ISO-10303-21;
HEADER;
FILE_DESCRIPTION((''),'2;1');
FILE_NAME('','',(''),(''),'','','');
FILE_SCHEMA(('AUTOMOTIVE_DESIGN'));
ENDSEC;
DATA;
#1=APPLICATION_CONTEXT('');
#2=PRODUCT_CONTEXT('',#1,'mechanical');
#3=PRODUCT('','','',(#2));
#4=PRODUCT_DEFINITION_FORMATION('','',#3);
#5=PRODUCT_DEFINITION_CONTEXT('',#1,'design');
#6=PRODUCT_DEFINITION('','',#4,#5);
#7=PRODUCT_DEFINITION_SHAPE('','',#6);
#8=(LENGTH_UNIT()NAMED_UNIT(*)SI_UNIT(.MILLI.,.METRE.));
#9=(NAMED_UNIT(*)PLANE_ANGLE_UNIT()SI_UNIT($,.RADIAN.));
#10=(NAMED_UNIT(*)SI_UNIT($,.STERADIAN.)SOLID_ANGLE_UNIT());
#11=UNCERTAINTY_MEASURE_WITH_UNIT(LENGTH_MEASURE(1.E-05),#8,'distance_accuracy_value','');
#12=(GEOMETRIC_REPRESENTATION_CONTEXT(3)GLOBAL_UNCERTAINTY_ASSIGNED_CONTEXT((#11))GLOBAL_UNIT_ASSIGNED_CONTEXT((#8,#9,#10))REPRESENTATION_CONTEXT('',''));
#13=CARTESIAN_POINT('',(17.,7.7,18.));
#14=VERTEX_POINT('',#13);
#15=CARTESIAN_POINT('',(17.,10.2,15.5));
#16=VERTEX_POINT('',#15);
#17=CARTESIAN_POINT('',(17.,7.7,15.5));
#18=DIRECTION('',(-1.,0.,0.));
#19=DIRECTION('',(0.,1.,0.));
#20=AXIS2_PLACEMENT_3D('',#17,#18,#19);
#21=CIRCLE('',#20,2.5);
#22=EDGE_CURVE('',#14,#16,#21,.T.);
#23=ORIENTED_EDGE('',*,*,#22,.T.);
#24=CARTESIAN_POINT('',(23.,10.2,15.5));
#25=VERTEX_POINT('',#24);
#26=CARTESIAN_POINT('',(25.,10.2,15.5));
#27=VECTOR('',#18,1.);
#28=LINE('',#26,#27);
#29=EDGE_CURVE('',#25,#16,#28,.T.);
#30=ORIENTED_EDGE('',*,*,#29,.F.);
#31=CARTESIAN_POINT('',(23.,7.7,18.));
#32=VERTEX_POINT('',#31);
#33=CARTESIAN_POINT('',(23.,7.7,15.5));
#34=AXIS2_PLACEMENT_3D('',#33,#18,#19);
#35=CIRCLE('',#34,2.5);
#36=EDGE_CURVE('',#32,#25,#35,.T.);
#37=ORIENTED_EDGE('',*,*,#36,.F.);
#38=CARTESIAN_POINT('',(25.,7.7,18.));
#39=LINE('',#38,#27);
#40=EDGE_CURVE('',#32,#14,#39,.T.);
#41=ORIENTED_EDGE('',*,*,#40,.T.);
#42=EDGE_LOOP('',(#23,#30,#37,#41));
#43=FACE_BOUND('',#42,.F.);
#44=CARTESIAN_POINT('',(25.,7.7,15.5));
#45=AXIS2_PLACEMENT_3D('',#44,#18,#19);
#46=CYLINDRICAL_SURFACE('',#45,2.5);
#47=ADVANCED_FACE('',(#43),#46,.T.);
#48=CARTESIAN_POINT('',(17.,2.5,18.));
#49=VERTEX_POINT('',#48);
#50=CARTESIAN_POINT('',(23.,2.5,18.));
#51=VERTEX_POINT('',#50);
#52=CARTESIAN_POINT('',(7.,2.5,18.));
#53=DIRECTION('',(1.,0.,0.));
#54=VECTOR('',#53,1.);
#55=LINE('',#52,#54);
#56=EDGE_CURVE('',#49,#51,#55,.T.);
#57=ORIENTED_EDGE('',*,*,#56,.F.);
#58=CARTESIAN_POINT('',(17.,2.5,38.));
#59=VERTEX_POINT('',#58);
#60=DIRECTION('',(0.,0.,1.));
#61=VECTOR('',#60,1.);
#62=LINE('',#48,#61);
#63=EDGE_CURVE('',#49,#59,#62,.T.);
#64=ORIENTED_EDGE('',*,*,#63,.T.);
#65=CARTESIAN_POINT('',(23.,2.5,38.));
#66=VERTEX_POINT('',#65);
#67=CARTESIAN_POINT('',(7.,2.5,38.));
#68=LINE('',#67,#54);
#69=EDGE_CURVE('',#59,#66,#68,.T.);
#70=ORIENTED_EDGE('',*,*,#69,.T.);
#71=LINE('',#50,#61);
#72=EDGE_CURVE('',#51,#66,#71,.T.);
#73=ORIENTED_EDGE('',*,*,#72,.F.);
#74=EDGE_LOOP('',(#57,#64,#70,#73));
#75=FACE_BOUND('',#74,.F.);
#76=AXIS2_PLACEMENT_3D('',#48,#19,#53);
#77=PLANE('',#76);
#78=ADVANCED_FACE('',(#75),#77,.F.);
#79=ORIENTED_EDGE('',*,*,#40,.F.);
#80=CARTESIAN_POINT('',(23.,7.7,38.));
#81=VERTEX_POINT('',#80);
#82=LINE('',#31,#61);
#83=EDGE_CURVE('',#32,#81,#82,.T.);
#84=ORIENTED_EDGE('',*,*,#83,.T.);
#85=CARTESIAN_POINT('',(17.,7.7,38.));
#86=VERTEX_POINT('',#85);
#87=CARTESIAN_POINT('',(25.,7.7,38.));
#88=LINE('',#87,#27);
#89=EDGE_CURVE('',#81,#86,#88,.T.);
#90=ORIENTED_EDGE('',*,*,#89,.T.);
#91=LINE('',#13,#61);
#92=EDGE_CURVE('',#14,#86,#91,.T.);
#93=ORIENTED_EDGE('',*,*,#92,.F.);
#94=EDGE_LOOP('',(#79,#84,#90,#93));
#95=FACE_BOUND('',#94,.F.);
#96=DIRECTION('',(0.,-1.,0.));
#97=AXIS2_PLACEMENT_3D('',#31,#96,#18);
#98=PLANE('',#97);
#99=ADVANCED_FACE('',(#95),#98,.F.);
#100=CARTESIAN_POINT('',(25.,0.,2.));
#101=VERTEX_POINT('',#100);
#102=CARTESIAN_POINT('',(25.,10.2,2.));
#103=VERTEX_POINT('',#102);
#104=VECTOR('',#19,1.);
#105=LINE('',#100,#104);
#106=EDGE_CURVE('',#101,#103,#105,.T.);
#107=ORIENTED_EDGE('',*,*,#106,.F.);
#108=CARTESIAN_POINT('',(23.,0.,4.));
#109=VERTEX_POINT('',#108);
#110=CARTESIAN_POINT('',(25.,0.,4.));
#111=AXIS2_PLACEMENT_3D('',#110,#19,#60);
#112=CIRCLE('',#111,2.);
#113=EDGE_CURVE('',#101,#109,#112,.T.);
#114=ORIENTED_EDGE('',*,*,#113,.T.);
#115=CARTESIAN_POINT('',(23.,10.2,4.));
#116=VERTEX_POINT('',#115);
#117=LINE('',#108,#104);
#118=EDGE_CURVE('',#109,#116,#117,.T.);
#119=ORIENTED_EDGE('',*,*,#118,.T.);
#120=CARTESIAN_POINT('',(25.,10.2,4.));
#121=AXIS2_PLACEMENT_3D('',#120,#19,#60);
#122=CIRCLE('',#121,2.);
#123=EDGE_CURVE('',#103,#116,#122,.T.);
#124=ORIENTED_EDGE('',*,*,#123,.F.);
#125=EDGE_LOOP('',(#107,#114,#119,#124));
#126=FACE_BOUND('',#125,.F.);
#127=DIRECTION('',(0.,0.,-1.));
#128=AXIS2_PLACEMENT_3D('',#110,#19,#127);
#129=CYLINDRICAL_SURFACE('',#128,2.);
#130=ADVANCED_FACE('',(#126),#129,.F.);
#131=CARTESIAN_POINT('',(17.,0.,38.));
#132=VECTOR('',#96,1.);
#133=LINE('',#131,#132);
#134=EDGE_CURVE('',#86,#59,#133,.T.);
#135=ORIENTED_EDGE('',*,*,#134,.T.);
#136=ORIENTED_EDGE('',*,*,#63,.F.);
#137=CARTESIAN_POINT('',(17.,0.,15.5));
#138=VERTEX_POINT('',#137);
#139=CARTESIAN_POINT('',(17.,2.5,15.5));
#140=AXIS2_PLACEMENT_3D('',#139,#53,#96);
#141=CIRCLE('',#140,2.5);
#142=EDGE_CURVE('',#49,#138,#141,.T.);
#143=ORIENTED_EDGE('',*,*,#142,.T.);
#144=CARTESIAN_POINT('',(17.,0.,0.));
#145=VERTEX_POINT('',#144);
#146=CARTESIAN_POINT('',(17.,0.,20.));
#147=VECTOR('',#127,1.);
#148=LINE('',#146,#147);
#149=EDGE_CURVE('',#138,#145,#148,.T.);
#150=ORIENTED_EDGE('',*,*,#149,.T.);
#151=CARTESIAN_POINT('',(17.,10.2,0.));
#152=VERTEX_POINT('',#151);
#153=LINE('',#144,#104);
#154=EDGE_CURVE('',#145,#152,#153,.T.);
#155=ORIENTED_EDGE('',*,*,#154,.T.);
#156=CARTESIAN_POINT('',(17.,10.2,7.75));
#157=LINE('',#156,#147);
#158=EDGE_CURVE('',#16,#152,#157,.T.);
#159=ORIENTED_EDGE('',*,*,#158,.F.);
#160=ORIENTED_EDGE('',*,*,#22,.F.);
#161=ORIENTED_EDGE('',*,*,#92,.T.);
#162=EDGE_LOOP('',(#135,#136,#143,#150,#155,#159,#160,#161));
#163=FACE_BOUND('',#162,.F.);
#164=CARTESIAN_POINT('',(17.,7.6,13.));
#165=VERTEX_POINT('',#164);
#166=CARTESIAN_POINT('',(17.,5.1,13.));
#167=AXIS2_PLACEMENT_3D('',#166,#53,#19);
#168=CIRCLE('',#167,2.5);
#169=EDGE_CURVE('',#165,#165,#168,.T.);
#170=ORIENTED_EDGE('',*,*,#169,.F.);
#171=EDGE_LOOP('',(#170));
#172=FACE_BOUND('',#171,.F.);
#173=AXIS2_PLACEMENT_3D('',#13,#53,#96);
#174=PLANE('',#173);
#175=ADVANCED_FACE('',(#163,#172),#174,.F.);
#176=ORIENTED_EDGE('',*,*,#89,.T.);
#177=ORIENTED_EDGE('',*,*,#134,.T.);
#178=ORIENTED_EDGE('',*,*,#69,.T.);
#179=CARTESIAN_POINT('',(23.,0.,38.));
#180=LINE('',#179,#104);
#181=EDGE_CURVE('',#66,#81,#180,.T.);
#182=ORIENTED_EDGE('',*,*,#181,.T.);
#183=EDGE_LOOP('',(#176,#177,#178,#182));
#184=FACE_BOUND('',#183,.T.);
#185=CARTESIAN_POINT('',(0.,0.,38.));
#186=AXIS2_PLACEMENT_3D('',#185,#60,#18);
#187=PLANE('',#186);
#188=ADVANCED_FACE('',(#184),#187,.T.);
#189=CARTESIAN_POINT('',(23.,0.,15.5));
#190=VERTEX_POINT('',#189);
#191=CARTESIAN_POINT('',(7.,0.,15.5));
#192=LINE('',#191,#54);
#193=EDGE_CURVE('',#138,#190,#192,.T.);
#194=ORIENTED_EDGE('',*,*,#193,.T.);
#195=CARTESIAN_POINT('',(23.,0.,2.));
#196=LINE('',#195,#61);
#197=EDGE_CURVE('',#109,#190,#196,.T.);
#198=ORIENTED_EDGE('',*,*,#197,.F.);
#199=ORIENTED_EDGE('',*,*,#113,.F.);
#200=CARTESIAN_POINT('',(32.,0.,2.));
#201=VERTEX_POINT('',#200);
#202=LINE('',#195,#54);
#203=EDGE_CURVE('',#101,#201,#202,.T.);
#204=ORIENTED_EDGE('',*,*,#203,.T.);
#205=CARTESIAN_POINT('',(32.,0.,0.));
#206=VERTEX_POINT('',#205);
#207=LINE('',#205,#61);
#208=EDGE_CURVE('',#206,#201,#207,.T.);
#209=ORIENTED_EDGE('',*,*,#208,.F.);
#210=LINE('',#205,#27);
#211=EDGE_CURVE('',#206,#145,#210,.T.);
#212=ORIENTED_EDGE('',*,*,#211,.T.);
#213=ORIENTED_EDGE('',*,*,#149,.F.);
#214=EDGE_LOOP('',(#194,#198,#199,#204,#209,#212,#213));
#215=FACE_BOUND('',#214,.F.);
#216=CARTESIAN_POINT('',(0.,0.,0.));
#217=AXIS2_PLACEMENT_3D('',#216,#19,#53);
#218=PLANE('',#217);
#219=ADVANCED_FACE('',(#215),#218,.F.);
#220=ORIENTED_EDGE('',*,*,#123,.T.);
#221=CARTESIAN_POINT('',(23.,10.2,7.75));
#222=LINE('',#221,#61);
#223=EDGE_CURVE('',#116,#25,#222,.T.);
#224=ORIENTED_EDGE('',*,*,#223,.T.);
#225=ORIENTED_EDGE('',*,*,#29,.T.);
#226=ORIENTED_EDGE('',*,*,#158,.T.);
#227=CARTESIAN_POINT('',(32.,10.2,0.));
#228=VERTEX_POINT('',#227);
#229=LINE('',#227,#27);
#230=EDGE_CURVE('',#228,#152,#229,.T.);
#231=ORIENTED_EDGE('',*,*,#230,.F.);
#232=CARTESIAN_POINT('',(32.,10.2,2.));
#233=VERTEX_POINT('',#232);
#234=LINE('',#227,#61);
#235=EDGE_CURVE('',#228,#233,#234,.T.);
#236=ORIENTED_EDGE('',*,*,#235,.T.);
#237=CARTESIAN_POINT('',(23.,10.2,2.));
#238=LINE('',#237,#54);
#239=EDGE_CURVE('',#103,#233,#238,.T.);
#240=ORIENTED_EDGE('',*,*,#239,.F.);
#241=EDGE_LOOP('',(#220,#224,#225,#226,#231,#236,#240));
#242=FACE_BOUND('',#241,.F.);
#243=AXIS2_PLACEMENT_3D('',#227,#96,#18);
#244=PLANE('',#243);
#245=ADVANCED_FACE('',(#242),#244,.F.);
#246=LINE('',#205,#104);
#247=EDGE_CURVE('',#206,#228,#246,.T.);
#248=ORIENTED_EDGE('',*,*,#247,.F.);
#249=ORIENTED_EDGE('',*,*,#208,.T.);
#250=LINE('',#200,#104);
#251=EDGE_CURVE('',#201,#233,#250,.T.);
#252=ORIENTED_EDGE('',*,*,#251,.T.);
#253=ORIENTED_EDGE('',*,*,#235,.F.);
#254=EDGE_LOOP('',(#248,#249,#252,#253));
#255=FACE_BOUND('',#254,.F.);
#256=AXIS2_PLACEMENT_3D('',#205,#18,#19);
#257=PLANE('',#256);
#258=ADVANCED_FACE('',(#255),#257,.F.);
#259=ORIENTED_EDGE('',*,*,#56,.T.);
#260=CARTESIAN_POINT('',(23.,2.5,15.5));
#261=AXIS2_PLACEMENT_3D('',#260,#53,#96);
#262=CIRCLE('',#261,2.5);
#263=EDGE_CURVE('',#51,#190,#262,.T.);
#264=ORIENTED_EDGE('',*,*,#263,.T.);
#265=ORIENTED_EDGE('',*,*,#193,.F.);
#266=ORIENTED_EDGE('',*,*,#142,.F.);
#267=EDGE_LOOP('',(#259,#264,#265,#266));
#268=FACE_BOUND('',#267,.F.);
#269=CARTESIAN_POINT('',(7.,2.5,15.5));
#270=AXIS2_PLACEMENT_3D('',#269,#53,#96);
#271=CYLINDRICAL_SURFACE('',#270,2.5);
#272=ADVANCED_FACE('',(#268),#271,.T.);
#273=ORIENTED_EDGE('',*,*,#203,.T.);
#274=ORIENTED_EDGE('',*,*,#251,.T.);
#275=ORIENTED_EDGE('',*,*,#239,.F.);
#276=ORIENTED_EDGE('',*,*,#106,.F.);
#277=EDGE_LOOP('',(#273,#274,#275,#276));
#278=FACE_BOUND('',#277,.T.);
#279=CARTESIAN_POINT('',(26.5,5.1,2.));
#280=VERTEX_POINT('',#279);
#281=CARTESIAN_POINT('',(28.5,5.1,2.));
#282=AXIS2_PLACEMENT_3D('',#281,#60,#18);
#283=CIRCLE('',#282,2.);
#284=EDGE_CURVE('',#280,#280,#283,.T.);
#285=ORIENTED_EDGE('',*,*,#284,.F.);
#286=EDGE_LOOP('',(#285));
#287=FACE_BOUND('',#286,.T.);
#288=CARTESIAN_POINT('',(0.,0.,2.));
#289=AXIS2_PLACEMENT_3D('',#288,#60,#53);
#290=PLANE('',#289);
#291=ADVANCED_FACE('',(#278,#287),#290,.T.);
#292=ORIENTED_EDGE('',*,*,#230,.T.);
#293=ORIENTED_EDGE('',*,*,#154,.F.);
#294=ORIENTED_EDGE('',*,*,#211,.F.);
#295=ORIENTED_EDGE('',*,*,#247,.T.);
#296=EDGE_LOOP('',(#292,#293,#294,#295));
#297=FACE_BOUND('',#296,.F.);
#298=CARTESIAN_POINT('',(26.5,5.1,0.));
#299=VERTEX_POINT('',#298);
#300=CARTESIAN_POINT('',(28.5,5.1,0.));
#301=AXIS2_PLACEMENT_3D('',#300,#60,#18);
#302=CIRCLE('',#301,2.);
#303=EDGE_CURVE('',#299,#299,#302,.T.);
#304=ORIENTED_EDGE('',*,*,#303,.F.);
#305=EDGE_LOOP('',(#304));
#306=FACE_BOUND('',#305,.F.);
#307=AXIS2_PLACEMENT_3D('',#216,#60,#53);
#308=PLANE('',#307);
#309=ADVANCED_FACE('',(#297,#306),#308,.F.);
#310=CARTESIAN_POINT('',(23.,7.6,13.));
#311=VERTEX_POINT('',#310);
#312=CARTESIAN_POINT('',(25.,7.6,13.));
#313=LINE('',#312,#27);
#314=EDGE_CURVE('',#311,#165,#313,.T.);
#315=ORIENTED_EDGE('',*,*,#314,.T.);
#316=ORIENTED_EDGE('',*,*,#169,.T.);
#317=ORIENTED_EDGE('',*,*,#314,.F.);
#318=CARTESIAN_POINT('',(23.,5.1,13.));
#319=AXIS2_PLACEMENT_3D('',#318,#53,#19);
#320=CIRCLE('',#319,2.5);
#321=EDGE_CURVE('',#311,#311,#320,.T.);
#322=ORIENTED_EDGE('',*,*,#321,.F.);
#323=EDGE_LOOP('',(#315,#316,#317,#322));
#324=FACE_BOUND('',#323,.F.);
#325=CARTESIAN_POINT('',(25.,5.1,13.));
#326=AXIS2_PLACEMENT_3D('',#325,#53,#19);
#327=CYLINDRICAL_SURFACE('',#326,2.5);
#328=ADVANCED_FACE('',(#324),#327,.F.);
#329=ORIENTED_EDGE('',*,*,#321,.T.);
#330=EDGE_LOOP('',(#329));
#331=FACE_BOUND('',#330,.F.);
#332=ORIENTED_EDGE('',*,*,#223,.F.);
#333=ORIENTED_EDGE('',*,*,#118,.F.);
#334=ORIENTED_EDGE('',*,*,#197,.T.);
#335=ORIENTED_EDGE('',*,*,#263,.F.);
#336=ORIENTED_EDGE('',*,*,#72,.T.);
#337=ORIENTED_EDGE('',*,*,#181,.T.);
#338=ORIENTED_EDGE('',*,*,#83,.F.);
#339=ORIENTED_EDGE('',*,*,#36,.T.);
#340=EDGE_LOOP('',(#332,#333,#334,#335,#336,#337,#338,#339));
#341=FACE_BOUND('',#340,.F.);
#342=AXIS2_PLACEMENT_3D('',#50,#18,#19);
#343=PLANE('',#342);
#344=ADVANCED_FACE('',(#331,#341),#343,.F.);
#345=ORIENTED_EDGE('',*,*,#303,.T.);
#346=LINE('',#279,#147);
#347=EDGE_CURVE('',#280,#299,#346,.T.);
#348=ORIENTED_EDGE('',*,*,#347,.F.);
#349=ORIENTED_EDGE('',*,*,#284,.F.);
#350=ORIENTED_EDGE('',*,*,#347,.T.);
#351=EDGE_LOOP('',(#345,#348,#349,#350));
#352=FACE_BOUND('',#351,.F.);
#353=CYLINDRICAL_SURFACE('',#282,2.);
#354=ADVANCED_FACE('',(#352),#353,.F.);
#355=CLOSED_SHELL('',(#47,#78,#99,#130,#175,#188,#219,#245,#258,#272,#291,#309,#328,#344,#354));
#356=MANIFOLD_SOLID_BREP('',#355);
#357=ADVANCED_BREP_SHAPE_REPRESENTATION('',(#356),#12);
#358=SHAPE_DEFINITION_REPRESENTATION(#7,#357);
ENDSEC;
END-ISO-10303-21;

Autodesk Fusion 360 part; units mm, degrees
sketch "Sketch1" plane through (0, 0, 0) normal (0, 0, 1) x (1, 0, 0)
  line L0 (0, 0) -> (32, 0)
  line L1 (32, 0) -> (32, 10.2)
  line L2 (32, 10.2) -> (0, 10.2)
  line L3 (0, 10.2) -> (0, 0)
  dimension "d1" = 32
  dimension "d2" = 10.2
extrude "Extrude1" add sketch "Sketch1" along normal blind 2
sketch "Sketch2" plane through (0, 0, 2) normal (0, 0, 1) x (-1, 0, 0)
  line L0 (0, -10.2) -> (0, 0)
  line L1 (0, 0) -> (-32, 0)
  line L2 (-32, 0) -> (-32, -10.2)
  line L3 (-32, -10.2) -> (0, -10.2)
  line L4 (-7, -10.2) -> (-25, -10.2)
  line L5 (-25, -10.2) -> (-25, 0)
  line L6 (-25, 0) -> (-7, 0)
  line L7 (-7, 0) -> (-7, -10.2)
  circle A0 centre (-3.5, -5.1) radius 2
  circle A1 centre (-28.5, -5.1) radius 2
  dimension "d5" = 7
  dimension "d6" = 7
  dimension "d7" = 5.1
  dimension "d8" = 3.5
  dimension "d9" = 4
  dimension "d10" = 3.5
  dimension "d11" = 5.1
  dimension "d12" = 4
extrude "Extrude2" cut sketch "Sketch2" against normal blind 2.1 contours A0 | A1
extrude "Extrude3" add sketch "Sketch2" along normal blind 16 contours L1 L3 L4 L5 L6 L7
sketch "Sketch3" plane through (25, 0, 0) normal (1, 0, 0) x (0, 1, 0)
  line L0 (0, 2) -> (10.2, 2)
  line L1 (10.2, 2) -> (10.2, 18)
  line L2 (10.2, 18) -> (0, 18)
  line L3 (0, 18) -> (0, 2)
  circle A0 centre (5.1, 13) radius 2.5
  dimension "d17" = 5
  dimension "d18" = 5.1
  dimension "d19" = 5
extrude "Extrude4" cut sketch "Sketch3" against normal blind 20 contours A0
fillet "Fillet1" radius 2.5 2 edges at (16, 0, 18) (16, 10.2, 18)
fillet "Fillet2" radius 0.25 2 edges at (25, 5.1, 2) (7, 5.1, 2)
sketch "Sketch4" plane through (0, 0, 0) normal (0, -1, 0) x (1, 0, 0)
  line L0 (25, 15.5) -> (7, 15.5)
  line L1 (7, 15.5) -> (7, 2.25)
  arc A0 (6.75, 2) -> (7, 2.25) centre (6.75, 2.25) ccw
  line L2 (6.75, 2) -> (0, 2)
  line L3 (0, 2) -> (0, 0)
  line L4 (0, 0) -> (32, 0)
  line L5 (32, 0) -> (32, 2)
  line L6 (32, 2) -> (25.25, 2)
  arc A1 (25, 2.25) -> (25.25, 2) centre (25.25, 2.25) ccw
  line L7 (25, 2.25) -> (25, 15.5)
  line L8 (15.0115, 13.8918) -> (15.2499, 13.8388)
  line L9 (15.0115, 1.9217) -> (15.2499, 1.8688)
  line L10 (15.2499, 2.3085) -> (10.5625, 8.1981)
  line L11 (10.6841, 8.3354) -> (15.2499, 13.4918)
  line L12 (10.817, 8.3354) -> (15.3124, 13.4128)
  line L13 (15.3132, 2.3954) -> (10.6954, 8.1981)
  spline S0 degree 5 poles (15.0115, 13.8918) (15.0366, 13.8331) (15.0755, 13.7537) (15.1214, 13.6739) (15.1743, 13.5935) (15.2341, 13.5126) (15.2499, 13.4918) knots 0 0 0 0 0 0 0.04 0.053771 0.053771 0.053771 0.053771 0.053771 0.053771
  line L14 (15.2177, 13.5342) -> (15.2821, 13.4495)
  spline S1 degree 5 poles (15.2499, 2.3085) (15.2476, 2.3054) (15.194, 2.2294) (15.1434, 2.1527) (15.0959, 2.0753) (15.0514, 1.9972) (15.0115, 1.9217) knots 0.958261 0.958261 0.958261 0.958261 0.958261 0.958261 0.96 1 1 1 1 1 1
  line L15 (15.2777, 2.3478) -> (15.2221, 2.2693)
  line L16 (19.8903, 8.1981) -> (19.6849, 7.759)
  line L17 (19.6849, 7.759) -> (20.8035, 8.2887)
  line L18 (20.8035, 8.2887) -> (19.6849, 8.7197)
  line L19 (19.6849, 8.7197) -> (19.8674, 8.3354)
  spline S2 degree 5 poles (15.2499, 13.8388) (15.275, 13.7801) (15.3328, 13.6621) (15.4428, 13.4833) (15.636, 13.2415) (15.9534, 12.9319) (16.3409, 12.6103) (16.7857, 12.2676) (17.2659, 11.8886) (17.7534, 11.4561) (18.2174, 10.9546) (18.6276, 10.3741) (18.9469, 9.734) (19.126, 9.1768) (19.2132, 8.7476) (19.2502, 8.4653) (19.263, 8.3354) knots 0 0 0 0 0 0 0.04 0.08 0.12 0.16 0.2 0.24 0.28 0.32 0.36 0.4 0.44 0.473865 0.473865 0.473865 0.473865 0.473865 0.473865
  line L20 (19.1848, 9.1287) -> (19.3411, 7.542)
  spline S3 degree 5 poles (19.2746, 8.1981) (19.2853, 8.0482) (19.2958, 7.7438) (19.2774, 7.2862) (19.1846, 6.69) (18.9625, 5.9984) (18.6463, 5.3801) (18.2572, 4.8452) (17.8198, 4.3863) (17.3603, 3.9873) (16.904, 3.6275) (16.4734, 3.2862) (16.0845, 2.9471) (15.7463, 2.6009) (15.5197, 2.3146) (15.375, 2.094) (15.2897, 1.9443) (15.2499, 1.8688) knots 0.481014 0.481014 0.481014 0.481014 0.481014 0.481014 0.52 0.56 0.6 0.64 0.68 0.72 0.76 0.8 0.84 0.88 0.92 0.96 1 1 1 1 1 1
  line L21 (19.2097, 9.1087) -> (19.3396, 7.2875)
  spline S4 degree 5 poles (15.3124, 13.4128) (15.332, 13.3889) (15.4036, 13.3041) (15.5393, 13.1573) (15.762, 12.9459) (16.1025, 12.6633) (16.5474, 12.3206) (17.0276, 11.9416) (17.515, 11.5091) (17.979, 11.0075) (18.3892, 10.427) (18.7131, 9.7778) (18.894, 9.2098) (18.9811, 8.7693) (19.0172, 8.476) (19.0296, 8.3354) knots 0.064218 0.064218 0.064218 0.064218 0.064218 0.064218 0.08 0.12 0.16 0.2 0.24 0.28 0.32 0.36 0.4 0.44 0.476625 0.476625 0.476625 0.476625 0.476625 0.476625
  line L22 (14.9219, 13.8881) -> (15.7028, 12.9376)
  line L23 (18.9651, 9.0672) -> (19.094, 7.6035)
  spline S5 degree 5 poles (19.0398, 8.1981) (19.0483, 8.0587) (19.0561, 7.765) (19.0358, 7.3185) (18.9432, 6.7334) (18.7242, 6.0513) (18.408, 5.433) (18.0189, 4.8982) (17.5814, 4.4393) (17.1219, 4.0403) (16.6657, 3.6805) (16.235, 3.3392) (15.8681, 3.0192) (15.6141, 2.7622) (15.4485, 2.5703) (15.3521, 2.4471) (15.3132, 2.3954) knots 0.483768 0.483768 0.483768 0.483768 0.483768 0.483768 0.52 0.56 0.6 0.64 0.68 0.72 0.76 0.8 0.84 0.88 0.92 0.948678 0.948678 0.948678 0.948678 0.948678 0.948678
  line L24 (18.989, 9.0312) -> (19.0905, 7.3649)
  line L25 (15.7537, 2.9821) -> (14.8727, 1.8087)
  line L26 (10.6954, 8.1981) -> (19.0398, 8.1981)
  line L27 (19.2746, 8.1981) -> (19.8903, 8.1981)
  line L28 (19.263, 8.3354) -> (19.8674, 8.3354)
  line L29 (10.6725, 8.3354) -> (10.3002, 8.665)
  line L30 (10.3002, 8.665) -> (9.1473, 8.665)
  line L31 (9.1473, 8.665) -> (9.409, 8.2777)
  line L32 (9.409, 8.2777) -> (9.1615, 7.917)
  line L33 (9.1615, 7.917) -> (10.3, 7.917)
  line L34 (10.3, 7.917) -> (10.5625, 8.1981)
  line L35 (10.6725, 8.3354) -> (10.6841, 8.3354)
  line L36 (10.817, 8.3354) -> (19.0296, 8.3354)
  point P0 (16.3357, 12.6206)
  point P1 (16.627, 3.4048)
  point P2 (18.7456, 10.1048)
  point P3 (18.825, 5.7617)
  point P4 (18.5867, 5.8147)
  point P5 (18.5072, 10.1578)
  point P6 (16.0973, 12.6736)
  point P7 (16.3886, 3.4577)
extrude "Extrude5" cut sketch "Sketch4" against normal blind 0.3 contours L8 L9 S0 L14 S1 L15 S2 L20 S3 L21 S4 L22 L23 S5 L24 L25 | L16 L17 L18 L19 L20 L21 L27 L28 | L10 L11 L12 L13 L14 L15 L22 L23 L24 L25 L26 L29 L30 L31 L32 L33 L34 L35 L36
sketch "Sketch5" plane through (0, 0, 0) normal (0, -1, 0) x (1, 0, 0)
  line L0 (7, 15.5) -> (23, 15.5)
  line L1 (23, 15.5) -> (23, 0)
  line L2 (23, 0) -> (7, 0)
  line L3 (7, 0) -> (7, 15.5)
  line L4 (32, 0) -> (0, 0)
  point P0 (7, 15.5)
extrude "Extrude6" add sketch "Sketch4" sketch "Sketch5" against normal blind 1 contours L0 L1 A0 L2 L3 L4 L5 L6 A1 L7 | L8 L9 S0 L14 S1 L15 S2 L20 S3 L21 S4 L22 L23 S5 L24 L25 | L16 L17 L18 L19 L20 L21 L27 L28 | L10 L11 L12 L13 L14 L15 L22 L23 L24 L25 L26 L29 L30 L31 L32 L33 L34 L35 L36 | L13 S5 L26 of sketch 2
sketch "Sketch6" plane through (0, 0, 0) normal (0, -1, 0) x (1, 0, 0)
  line L0 (25, 15.5) -> (7, 15.5)
  line L1 (7, 15.5) -> (7, 2.25)
  arc A0 (6.75, 2) -> (7, 2.25) centre (6.75, 2.25) ccw
  line L2 (6.75, 2) -> (0, 2)
  line L3 (0, 2) -> (0, 0)
  line L4 (0, 0) -> (32, 0)
  line L5 (32, 0) -> (32, 2)
  line L6 (32, 2) -> (25.25, 2)
  arc A1 (25, 2.25) -> (25.25, 2) centre (25.25, 2.25) ccw
  line L7 (25, 2.25) -> (25, 15.5)
  line L8 (0, 20) -> (17, 20)
  line L9 (17, 20) -> (17, 0)
  line L10 (17, 0) -> (0, 0)
  line L11 (0, 0) -> (0, 20)
  dimension "d32" = 17
extrude "Extrude7" cut sketch "Sketch6" against normal blind 12 contours L0 L1 A0 L2 L3 L4 L9 L10 L11 | L0 L1 A0 L2 L8 L9 L11
sketch "Sketch7" plane through (0, 0, 0) normal (0, -1, 0) x (1, 0, 0)
  line L0 (17, 15.5) -> (17, 0)
  line L1 (17, 0) -> (32, 0)
  line L2 (32, 0) -> (32, 2)
  line L3 (32, 2) -> (25.25, 2)
  arc A0 (25, 2.25) -> (25.25, 2) centre (25.25, 2.25) ccw
  line L4 (25, 2.25) -> (25, 15.5)
  line L5 (25, 15.5) -> (17, 15.5)
  line L6 (23, 18) -> (25.1716, 18)
  line L7 (25.1716, 18) -> (25.1716, 2)
  line L8 (25.1716, 2) -> (23, 2)
  line L9 (23, 2) -> (23, 18)
  line L10 (25, 18) -> (17, 18)
  dimension "d35" = 2
extrude "Extrude8" cut sketch "Sketch7" against normal blind 12 contours A0 L4 L5 L6 L7 L9 L10 | A0 L4 L5 L7 L8 L9
sketch "Sketch8" plane through (0, 10.2, 0) normal (0, 1, 0) x (-1, 0, 0)
  line L0 (-23, 15.5) -> (-23, 2)
  line L1 (-23, 2) -> (-25.1716, 2)
  line L2 (-25.1716, 2) -> (-25.1716, 2.0126)
  arc A0 (-25.25, 2) -> (-25.1716, 2.0126) centre (-25.25, 2.25) ccw
  line L3 (-25.25, 2) -> (-32, 2)
  line L4 (-32, 2) -> (-32, 0)
  line L5 (-32, 0) -> (-17, 0)
  line L6 (-17, 0) -> (-17, 15.5)
  line L7 (-17, 15.5) -> (-23, 15.5)
  line L8 (-25.2855, 2) -> (-25.1, 2)
  line L9 (-25.1, 2) -> (-25.1, 2.05)
  line L10 (-25.1, 2.05) -> (-25.2855, 2.05)
  line L11 (-25.2855, 2.05) -> (-25.2855, 2)
extrude "Extrude9" cut sketch "Sketch8" against normal blind 12 contours L1 L2 A0 L3 L8 L9 L10 L11 | L2 A0 L8
fillet "Fillet3" radius 2 1 edges at (23, 5.1, 2)
extrude "Extrude10" add 1 faces at (21, 4.2333, 18) along direction (0, 0, 1) blind 20
